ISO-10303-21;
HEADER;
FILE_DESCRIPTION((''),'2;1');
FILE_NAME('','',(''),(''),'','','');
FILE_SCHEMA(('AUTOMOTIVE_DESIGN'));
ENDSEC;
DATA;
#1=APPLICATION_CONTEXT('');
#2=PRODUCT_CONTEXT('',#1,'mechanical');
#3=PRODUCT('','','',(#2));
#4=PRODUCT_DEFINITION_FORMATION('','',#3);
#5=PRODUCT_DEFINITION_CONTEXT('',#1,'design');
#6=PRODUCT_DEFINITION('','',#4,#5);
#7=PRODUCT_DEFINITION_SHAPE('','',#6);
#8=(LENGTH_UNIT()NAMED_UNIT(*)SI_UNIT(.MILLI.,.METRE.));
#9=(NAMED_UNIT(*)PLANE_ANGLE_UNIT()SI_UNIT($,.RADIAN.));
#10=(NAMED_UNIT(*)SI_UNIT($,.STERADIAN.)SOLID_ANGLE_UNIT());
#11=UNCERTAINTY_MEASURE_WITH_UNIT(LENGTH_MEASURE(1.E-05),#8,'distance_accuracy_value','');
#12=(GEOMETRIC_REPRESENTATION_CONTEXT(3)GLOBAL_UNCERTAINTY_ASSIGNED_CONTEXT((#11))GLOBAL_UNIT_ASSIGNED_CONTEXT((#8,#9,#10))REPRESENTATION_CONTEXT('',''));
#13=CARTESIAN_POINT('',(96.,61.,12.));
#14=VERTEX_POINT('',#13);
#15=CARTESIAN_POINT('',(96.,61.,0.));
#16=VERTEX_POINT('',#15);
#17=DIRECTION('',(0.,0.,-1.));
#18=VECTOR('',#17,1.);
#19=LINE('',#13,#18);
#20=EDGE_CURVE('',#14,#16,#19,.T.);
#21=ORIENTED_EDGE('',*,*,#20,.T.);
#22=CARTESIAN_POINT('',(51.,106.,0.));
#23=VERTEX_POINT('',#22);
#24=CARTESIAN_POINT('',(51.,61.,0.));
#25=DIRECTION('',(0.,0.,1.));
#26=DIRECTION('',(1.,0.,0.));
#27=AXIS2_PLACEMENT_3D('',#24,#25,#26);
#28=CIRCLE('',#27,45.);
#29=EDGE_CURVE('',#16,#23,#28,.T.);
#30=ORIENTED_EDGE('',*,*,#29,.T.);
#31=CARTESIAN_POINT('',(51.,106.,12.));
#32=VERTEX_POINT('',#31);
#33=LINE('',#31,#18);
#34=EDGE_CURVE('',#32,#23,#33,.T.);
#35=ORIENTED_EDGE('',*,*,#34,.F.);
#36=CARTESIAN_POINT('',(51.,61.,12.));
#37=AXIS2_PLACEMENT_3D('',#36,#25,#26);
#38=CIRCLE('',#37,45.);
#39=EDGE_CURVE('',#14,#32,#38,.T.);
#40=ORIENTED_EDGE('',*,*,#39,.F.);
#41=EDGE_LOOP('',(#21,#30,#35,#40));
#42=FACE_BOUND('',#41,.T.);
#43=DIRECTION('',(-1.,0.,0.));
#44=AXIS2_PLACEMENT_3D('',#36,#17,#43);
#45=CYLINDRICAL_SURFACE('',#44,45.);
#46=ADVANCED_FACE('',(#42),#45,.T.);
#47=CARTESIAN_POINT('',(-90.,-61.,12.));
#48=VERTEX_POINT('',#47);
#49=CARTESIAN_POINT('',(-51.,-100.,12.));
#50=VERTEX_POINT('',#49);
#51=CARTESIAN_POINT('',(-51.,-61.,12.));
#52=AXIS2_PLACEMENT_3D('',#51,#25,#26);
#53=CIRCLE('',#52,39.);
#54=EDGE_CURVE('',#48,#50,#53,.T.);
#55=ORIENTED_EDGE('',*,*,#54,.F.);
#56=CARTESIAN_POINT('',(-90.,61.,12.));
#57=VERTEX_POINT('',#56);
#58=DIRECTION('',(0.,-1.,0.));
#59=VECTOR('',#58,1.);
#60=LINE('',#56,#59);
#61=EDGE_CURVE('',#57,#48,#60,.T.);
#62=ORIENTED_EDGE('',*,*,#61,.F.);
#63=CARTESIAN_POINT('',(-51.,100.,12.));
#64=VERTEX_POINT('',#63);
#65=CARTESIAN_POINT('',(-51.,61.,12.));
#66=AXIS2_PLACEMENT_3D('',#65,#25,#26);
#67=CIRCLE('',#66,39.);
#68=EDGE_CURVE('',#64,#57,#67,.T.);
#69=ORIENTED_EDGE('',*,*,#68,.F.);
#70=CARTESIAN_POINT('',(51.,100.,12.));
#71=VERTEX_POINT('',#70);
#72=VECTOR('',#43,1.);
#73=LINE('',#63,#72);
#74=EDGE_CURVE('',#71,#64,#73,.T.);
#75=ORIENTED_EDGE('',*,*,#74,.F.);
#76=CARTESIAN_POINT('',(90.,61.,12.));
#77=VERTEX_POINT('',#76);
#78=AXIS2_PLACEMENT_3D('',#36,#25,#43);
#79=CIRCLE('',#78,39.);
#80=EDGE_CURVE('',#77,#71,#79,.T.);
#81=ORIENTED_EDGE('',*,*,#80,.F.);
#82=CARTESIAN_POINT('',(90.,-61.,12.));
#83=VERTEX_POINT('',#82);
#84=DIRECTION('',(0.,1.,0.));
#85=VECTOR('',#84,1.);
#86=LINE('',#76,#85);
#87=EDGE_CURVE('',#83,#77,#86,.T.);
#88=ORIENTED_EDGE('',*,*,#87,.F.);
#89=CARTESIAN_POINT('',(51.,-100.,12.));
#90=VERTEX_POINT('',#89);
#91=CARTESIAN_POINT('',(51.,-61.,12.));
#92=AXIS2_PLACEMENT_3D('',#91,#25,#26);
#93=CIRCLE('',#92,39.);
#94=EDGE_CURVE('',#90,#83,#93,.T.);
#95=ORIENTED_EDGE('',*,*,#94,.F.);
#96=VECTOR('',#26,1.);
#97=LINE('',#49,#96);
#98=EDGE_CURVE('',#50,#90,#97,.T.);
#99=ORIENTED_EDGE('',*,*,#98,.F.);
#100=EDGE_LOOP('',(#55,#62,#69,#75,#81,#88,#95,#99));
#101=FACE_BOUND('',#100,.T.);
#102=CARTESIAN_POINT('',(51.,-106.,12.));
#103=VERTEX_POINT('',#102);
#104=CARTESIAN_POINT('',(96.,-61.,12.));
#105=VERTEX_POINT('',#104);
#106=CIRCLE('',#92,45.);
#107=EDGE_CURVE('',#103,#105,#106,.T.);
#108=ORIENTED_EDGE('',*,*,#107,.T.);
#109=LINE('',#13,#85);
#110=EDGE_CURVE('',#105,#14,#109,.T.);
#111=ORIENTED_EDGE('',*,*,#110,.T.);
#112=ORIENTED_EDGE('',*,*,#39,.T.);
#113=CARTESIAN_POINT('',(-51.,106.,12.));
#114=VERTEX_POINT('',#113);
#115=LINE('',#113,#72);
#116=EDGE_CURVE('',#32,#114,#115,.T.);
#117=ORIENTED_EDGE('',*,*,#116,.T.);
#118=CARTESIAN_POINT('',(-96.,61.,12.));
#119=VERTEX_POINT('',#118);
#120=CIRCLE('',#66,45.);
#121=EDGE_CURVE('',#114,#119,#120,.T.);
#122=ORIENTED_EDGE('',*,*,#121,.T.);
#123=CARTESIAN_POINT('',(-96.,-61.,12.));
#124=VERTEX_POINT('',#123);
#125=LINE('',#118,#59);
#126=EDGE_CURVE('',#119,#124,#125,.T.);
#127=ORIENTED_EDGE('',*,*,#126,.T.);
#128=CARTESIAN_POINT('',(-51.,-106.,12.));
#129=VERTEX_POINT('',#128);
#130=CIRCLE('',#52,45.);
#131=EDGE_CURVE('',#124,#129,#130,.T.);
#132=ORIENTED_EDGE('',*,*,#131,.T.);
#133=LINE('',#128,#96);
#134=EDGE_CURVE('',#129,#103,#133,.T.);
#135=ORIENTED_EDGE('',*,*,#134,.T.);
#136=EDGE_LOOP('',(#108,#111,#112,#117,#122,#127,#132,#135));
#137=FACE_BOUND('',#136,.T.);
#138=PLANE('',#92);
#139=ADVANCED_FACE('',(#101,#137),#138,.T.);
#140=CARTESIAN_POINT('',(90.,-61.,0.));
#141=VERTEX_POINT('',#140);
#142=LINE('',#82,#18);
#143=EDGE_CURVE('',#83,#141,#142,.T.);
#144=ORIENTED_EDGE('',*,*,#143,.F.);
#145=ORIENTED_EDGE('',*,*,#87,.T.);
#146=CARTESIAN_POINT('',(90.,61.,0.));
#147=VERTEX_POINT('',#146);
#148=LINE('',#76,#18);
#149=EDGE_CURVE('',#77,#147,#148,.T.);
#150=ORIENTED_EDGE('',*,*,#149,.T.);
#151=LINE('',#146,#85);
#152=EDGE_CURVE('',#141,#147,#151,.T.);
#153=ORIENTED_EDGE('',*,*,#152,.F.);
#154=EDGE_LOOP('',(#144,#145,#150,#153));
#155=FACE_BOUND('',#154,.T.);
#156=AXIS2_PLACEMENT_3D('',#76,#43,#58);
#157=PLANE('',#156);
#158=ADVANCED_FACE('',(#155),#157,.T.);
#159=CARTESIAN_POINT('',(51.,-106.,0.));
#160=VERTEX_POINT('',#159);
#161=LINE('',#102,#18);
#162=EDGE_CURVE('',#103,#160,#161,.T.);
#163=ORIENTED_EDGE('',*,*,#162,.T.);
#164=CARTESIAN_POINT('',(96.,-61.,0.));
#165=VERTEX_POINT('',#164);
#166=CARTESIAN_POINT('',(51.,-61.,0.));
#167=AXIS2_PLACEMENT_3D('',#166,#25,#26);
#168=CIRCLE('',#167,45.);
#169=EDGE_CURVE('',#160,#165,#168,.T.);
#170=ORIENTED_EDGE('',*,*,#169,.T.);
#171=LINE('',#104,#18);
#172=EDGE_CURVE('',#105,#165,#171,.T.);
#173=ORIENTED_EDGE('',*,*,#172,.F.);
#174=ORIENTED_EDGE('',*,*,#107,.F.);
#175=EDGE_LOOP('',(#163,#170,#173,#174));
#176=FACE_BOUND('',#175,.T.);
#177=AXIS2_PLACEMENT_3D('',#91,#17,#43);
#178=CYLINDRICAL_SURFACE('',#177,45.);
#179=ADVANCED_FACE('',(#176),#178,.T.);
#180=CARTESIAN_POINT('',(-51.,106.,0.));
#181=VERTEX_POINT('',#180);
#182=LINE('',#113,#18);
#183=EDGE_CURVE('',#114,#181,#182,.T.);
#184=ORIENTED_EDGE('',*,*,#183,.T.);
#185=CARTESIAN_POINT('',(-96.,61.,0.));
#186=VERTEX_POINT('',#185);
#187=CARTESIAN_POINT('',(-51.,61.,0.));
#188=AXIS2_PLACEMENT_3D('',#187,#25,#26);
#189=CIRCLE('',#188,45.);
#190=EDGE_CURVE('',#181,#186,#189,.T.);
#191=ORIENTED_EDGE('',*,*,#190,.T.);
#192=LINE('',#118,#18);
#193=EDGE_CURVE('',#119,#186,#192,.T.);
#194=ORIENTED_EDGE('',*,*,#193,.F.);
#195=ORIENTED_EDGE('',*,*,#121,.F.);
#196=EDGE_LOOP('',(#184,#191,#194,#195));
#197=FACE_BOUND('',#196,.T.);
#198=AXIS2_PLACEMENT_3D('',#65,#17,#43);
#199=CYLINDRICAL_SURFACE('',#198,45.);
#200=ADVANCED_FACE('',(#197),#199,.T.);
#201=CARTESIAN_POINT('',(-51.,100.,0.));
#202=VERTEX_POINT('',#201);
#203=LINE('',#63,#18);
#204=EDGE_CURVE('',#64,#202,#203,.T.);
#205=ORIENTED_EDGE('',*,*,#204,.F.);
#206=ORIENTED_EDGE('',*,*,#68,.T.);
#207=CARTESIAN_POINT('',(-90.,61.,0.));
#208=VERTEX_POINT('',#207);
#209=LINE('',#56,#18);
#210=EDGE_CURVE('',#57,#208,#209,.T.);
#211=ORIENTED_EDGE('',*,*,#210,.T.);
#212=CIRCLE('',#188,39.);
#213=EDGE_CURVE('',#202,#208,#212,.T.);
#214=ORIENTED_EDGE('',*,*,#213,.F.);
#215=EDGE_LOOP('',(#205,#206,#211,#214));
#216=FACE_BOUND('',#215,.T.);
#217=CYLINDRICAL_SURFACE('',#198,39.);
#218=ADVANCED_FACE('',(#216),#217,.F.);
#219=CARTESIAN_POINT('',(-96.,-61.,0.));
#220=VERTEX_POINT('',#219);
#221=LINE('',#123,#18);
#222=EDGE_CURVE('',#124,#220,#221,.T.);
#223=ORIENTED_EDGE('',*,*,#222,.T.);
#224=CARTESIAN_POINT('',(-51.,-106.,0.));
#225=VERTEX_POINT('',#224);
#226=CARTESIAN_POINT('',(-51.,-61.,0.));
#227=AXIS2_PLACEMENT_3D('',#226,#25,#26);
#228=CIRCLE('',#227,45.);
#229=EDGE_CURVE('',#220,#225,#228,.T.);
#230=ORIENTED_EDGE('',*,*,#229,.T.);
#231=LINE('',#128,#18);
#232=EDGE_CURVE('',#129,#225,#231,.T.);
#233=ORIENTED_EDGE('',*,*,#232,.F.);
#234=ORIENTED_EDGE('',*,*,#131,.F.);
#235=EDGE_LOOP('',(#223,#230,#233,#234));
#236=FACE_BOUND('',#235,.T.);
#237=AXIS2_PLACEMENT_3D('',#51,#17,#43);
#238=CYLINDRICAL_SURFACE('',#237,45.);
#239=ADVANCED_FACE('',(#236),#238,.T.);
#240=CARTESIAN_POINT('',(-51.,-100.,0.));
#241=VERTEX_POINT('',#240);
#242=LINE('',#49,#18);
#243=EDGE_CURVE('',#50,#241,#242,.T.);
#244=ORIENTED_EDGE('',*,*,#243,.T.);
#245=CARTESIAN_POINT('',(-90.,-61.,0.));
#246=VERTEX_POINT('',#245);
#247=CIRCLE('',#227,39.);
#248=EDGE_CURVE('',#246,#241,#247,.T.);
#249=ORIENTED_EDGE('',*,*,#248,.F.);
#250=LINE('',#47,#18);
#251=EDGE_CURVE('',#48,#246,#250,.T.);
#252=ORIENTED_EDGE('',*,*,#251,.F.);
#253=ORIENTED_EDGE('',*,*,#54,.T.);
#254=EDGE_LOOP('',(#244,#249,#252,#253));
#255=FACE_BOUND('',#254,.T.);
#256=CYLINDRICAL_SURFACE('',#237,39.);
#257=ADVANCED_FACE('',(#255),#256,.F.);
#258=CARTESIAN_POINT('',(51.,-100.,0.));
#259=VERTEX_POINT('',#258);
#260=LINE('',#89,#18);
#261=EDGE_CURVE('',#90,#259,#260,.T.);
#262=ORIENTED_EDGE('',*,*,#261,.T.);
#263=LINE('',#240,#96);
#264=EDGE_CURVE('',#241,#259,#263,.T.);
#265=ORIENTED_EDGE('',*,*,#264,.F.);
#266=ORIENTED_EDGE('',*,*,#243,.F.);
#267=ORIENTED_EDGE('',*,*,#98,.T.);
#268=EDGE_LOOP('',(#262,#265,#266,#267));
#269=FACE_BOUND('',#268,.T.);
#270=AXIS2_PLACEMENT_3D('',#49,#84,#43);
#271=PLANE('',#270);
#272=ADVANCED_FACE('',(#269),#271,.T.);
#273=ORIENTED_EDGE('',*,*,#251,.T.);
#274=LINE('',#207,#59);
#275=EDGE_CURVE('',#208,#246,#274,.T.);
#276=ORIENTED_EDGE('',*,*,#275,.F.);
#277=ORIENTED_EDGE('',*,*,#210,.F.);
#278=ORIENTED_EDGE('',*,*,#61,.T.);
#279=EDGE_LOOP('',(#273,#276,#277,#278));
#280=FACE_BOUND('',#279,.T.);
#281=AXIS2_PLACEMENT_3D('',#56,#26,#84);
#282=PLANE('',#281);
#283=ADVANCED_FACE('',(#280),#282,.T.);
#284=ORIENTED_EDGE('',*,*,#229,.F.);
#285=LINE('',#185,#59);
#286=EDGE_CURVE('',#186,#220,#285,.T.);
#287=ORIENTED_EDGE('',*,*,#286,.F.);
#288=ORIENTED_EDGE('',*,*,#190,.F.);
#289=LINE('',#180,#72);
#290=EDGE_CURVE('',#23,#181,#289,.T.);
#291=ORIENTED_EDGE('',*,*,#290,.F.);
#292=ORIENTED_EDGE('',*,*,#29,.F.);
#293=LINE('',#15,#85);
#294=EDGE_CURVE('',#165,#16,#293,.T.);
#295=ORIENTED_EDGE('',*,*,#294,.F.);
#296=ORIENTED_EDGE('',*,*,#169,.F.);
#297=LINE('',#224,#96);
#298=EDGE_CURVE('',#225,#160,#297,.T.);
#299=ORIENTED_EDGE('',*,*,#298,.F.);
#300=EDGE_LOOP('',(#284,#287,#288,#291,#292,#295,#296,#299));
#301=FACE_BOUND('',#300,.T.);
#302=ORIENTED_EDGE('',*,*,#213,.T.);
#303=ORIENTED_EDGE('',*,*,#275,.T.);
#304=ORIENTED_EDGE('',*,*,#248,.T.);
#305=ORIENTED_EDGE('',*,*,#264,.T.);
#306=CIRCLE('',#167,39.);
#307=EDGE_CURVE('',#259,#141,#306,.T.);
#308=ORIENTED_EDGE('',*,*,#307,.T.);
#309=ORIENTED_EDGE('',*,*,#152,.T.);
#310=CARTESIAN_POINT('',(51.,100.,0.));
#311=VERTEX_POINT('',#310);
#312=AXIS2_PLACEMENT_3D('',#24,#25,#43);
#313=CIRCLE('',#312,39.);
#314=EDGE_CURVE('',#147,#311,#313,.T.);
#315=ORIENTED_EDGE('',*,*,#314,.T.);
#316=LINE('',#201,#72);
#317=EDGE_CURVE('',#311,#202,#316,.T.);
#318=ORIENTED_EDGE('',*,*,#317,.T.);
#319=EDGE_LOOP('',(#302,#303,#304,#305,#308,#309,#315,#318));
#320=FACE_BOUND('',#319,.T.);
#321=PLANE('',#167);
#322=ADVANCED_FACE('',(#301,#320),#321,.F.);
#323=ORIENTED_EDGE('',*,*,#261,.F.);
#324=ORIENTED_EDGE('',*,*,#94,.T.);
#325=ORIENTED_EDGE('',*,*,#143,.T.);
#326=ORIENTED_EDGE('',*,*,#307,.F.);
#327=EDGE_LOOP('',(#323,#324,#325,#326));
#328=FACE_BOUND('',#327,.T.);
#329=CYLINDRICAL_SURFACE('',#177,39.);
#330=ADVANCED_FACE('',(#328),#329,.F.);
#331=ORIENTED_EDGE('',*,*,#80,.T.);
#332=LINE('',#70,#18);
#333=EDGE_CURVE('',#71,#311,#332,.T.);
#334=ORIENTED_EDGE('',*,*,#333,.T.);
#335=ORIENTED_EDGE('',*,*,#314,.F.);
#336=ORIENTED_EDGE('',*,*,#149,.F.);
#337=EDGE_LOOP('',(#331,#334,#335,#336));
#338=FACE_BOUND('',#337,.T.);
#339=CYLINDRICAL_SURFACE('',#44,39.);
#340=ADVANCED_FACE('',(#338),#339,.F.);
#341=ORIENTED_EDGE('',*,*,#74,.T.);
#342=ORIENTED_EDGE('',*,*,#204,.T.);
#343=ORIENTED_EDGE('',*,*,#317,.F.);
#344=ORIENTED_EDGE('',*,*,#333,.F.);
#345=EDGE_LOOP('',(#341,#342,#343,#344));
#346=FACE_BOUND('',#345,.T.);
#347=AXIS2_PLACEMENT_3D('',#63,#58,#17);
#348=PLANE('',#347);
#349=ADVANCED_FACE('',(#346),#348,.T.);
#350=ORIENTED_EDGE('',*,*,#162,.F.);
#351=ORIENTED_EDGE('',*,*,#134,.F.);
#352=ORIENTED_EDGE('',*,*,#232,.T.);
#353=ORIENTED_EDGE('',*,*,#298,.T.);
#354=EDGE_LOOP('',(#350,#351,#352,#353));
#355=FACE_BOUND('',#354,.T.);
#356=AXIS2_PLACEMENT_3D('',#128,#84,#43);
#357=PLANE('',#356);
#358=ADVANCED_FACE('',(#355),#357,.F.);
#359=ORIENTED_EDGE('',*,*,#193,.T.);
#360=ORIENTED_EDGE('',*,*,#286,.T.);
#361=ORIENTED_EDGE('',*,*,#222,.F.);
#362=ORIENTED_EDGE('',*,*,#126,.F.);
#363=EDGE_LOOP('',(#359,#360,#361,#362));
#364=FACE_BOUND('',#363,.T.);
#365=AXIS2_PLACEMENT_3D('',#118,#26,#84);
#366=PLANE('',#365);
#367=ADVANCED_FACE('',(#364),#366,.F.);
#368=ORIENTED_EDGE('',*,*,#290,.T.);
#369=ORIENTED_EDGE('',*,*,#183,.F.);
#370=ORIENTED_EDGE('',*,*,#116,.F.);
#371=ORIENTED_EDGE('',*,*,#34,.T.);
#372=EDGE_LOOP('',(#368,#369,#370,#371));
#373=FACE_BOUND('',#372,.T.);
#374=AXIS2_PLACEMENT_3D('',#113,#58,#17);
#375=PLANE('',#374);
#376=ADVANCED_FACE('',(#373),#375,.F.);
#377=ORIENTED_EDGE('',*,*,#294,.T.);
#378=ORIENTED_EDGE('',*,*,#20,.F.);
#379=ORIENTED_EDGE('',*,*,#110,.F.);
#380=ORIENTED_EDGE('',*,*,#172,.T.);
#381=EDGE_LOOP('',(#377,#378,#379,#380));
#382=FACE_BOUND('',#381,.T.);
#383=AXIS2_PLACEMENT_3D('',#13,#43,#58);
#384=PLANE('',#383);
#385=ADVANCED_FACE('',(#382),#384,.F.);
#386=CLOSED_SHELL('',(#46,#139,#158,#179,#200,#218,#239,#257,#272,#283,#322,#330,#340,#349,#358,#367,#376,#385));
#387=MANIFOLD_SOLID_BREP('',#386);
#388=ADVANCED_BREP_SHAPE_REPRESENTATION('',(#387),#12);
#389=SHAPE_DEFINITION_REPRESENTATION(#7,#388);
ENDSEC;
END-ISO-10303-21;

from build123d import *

# Parameters (mm, degrees)
EXTRUDE_1_DEPTH = 12


with BuildPart() as part:
    # Эскиз1 → Вытянуть-Тонкостенный1 (new body)
    with BuildSketch(Plane.XY):
        with BuildLine():
            Line((-51, 106), (51, 106))
            ThreePointArc((51, 106), (82.819805153, 92.819805153), (96, 61))
            Line((96, 61), (96, -61))
            ThreePointArc((96, -61), (82.819805153, -92.819805153), (51, -106))
            Line((51, -106), (-51, -106))
            ThreePointArc((-51, -106), (-82.819805153, -92.819805153), (-96, -61))
            Line((-96, -61), (-96, 61))
            ThreePointArc((-96, 61), (-82.819805153, 92.819805153), (-51, 106))
        make_face()
        with BuildLine():
            Line((-51, 100), (51, 100))
            ThreePointArc((51, 100), (78.577164466, 88.577164466), (90, 61))
            Line((90, 61), (90, -61))
            ThreePointArc((90, -61), (78.577164466, -88.577164466), (51, -100))
            Line((51, -100), (-51, -100))
            ThreePointArc((-51, -100), (-78.577164466, -88.577164466), (-90, -61))
            Line((-90, -61), (-90, 61))
            ThreePointArc((-90, 61), (-78.577164466, 88.577164466), (-51, 100))
        make_face(mode=Mode.SUBTRACT)
    extrude(amount=EXTRUDE_1_DEPTH)


solid = part.part
